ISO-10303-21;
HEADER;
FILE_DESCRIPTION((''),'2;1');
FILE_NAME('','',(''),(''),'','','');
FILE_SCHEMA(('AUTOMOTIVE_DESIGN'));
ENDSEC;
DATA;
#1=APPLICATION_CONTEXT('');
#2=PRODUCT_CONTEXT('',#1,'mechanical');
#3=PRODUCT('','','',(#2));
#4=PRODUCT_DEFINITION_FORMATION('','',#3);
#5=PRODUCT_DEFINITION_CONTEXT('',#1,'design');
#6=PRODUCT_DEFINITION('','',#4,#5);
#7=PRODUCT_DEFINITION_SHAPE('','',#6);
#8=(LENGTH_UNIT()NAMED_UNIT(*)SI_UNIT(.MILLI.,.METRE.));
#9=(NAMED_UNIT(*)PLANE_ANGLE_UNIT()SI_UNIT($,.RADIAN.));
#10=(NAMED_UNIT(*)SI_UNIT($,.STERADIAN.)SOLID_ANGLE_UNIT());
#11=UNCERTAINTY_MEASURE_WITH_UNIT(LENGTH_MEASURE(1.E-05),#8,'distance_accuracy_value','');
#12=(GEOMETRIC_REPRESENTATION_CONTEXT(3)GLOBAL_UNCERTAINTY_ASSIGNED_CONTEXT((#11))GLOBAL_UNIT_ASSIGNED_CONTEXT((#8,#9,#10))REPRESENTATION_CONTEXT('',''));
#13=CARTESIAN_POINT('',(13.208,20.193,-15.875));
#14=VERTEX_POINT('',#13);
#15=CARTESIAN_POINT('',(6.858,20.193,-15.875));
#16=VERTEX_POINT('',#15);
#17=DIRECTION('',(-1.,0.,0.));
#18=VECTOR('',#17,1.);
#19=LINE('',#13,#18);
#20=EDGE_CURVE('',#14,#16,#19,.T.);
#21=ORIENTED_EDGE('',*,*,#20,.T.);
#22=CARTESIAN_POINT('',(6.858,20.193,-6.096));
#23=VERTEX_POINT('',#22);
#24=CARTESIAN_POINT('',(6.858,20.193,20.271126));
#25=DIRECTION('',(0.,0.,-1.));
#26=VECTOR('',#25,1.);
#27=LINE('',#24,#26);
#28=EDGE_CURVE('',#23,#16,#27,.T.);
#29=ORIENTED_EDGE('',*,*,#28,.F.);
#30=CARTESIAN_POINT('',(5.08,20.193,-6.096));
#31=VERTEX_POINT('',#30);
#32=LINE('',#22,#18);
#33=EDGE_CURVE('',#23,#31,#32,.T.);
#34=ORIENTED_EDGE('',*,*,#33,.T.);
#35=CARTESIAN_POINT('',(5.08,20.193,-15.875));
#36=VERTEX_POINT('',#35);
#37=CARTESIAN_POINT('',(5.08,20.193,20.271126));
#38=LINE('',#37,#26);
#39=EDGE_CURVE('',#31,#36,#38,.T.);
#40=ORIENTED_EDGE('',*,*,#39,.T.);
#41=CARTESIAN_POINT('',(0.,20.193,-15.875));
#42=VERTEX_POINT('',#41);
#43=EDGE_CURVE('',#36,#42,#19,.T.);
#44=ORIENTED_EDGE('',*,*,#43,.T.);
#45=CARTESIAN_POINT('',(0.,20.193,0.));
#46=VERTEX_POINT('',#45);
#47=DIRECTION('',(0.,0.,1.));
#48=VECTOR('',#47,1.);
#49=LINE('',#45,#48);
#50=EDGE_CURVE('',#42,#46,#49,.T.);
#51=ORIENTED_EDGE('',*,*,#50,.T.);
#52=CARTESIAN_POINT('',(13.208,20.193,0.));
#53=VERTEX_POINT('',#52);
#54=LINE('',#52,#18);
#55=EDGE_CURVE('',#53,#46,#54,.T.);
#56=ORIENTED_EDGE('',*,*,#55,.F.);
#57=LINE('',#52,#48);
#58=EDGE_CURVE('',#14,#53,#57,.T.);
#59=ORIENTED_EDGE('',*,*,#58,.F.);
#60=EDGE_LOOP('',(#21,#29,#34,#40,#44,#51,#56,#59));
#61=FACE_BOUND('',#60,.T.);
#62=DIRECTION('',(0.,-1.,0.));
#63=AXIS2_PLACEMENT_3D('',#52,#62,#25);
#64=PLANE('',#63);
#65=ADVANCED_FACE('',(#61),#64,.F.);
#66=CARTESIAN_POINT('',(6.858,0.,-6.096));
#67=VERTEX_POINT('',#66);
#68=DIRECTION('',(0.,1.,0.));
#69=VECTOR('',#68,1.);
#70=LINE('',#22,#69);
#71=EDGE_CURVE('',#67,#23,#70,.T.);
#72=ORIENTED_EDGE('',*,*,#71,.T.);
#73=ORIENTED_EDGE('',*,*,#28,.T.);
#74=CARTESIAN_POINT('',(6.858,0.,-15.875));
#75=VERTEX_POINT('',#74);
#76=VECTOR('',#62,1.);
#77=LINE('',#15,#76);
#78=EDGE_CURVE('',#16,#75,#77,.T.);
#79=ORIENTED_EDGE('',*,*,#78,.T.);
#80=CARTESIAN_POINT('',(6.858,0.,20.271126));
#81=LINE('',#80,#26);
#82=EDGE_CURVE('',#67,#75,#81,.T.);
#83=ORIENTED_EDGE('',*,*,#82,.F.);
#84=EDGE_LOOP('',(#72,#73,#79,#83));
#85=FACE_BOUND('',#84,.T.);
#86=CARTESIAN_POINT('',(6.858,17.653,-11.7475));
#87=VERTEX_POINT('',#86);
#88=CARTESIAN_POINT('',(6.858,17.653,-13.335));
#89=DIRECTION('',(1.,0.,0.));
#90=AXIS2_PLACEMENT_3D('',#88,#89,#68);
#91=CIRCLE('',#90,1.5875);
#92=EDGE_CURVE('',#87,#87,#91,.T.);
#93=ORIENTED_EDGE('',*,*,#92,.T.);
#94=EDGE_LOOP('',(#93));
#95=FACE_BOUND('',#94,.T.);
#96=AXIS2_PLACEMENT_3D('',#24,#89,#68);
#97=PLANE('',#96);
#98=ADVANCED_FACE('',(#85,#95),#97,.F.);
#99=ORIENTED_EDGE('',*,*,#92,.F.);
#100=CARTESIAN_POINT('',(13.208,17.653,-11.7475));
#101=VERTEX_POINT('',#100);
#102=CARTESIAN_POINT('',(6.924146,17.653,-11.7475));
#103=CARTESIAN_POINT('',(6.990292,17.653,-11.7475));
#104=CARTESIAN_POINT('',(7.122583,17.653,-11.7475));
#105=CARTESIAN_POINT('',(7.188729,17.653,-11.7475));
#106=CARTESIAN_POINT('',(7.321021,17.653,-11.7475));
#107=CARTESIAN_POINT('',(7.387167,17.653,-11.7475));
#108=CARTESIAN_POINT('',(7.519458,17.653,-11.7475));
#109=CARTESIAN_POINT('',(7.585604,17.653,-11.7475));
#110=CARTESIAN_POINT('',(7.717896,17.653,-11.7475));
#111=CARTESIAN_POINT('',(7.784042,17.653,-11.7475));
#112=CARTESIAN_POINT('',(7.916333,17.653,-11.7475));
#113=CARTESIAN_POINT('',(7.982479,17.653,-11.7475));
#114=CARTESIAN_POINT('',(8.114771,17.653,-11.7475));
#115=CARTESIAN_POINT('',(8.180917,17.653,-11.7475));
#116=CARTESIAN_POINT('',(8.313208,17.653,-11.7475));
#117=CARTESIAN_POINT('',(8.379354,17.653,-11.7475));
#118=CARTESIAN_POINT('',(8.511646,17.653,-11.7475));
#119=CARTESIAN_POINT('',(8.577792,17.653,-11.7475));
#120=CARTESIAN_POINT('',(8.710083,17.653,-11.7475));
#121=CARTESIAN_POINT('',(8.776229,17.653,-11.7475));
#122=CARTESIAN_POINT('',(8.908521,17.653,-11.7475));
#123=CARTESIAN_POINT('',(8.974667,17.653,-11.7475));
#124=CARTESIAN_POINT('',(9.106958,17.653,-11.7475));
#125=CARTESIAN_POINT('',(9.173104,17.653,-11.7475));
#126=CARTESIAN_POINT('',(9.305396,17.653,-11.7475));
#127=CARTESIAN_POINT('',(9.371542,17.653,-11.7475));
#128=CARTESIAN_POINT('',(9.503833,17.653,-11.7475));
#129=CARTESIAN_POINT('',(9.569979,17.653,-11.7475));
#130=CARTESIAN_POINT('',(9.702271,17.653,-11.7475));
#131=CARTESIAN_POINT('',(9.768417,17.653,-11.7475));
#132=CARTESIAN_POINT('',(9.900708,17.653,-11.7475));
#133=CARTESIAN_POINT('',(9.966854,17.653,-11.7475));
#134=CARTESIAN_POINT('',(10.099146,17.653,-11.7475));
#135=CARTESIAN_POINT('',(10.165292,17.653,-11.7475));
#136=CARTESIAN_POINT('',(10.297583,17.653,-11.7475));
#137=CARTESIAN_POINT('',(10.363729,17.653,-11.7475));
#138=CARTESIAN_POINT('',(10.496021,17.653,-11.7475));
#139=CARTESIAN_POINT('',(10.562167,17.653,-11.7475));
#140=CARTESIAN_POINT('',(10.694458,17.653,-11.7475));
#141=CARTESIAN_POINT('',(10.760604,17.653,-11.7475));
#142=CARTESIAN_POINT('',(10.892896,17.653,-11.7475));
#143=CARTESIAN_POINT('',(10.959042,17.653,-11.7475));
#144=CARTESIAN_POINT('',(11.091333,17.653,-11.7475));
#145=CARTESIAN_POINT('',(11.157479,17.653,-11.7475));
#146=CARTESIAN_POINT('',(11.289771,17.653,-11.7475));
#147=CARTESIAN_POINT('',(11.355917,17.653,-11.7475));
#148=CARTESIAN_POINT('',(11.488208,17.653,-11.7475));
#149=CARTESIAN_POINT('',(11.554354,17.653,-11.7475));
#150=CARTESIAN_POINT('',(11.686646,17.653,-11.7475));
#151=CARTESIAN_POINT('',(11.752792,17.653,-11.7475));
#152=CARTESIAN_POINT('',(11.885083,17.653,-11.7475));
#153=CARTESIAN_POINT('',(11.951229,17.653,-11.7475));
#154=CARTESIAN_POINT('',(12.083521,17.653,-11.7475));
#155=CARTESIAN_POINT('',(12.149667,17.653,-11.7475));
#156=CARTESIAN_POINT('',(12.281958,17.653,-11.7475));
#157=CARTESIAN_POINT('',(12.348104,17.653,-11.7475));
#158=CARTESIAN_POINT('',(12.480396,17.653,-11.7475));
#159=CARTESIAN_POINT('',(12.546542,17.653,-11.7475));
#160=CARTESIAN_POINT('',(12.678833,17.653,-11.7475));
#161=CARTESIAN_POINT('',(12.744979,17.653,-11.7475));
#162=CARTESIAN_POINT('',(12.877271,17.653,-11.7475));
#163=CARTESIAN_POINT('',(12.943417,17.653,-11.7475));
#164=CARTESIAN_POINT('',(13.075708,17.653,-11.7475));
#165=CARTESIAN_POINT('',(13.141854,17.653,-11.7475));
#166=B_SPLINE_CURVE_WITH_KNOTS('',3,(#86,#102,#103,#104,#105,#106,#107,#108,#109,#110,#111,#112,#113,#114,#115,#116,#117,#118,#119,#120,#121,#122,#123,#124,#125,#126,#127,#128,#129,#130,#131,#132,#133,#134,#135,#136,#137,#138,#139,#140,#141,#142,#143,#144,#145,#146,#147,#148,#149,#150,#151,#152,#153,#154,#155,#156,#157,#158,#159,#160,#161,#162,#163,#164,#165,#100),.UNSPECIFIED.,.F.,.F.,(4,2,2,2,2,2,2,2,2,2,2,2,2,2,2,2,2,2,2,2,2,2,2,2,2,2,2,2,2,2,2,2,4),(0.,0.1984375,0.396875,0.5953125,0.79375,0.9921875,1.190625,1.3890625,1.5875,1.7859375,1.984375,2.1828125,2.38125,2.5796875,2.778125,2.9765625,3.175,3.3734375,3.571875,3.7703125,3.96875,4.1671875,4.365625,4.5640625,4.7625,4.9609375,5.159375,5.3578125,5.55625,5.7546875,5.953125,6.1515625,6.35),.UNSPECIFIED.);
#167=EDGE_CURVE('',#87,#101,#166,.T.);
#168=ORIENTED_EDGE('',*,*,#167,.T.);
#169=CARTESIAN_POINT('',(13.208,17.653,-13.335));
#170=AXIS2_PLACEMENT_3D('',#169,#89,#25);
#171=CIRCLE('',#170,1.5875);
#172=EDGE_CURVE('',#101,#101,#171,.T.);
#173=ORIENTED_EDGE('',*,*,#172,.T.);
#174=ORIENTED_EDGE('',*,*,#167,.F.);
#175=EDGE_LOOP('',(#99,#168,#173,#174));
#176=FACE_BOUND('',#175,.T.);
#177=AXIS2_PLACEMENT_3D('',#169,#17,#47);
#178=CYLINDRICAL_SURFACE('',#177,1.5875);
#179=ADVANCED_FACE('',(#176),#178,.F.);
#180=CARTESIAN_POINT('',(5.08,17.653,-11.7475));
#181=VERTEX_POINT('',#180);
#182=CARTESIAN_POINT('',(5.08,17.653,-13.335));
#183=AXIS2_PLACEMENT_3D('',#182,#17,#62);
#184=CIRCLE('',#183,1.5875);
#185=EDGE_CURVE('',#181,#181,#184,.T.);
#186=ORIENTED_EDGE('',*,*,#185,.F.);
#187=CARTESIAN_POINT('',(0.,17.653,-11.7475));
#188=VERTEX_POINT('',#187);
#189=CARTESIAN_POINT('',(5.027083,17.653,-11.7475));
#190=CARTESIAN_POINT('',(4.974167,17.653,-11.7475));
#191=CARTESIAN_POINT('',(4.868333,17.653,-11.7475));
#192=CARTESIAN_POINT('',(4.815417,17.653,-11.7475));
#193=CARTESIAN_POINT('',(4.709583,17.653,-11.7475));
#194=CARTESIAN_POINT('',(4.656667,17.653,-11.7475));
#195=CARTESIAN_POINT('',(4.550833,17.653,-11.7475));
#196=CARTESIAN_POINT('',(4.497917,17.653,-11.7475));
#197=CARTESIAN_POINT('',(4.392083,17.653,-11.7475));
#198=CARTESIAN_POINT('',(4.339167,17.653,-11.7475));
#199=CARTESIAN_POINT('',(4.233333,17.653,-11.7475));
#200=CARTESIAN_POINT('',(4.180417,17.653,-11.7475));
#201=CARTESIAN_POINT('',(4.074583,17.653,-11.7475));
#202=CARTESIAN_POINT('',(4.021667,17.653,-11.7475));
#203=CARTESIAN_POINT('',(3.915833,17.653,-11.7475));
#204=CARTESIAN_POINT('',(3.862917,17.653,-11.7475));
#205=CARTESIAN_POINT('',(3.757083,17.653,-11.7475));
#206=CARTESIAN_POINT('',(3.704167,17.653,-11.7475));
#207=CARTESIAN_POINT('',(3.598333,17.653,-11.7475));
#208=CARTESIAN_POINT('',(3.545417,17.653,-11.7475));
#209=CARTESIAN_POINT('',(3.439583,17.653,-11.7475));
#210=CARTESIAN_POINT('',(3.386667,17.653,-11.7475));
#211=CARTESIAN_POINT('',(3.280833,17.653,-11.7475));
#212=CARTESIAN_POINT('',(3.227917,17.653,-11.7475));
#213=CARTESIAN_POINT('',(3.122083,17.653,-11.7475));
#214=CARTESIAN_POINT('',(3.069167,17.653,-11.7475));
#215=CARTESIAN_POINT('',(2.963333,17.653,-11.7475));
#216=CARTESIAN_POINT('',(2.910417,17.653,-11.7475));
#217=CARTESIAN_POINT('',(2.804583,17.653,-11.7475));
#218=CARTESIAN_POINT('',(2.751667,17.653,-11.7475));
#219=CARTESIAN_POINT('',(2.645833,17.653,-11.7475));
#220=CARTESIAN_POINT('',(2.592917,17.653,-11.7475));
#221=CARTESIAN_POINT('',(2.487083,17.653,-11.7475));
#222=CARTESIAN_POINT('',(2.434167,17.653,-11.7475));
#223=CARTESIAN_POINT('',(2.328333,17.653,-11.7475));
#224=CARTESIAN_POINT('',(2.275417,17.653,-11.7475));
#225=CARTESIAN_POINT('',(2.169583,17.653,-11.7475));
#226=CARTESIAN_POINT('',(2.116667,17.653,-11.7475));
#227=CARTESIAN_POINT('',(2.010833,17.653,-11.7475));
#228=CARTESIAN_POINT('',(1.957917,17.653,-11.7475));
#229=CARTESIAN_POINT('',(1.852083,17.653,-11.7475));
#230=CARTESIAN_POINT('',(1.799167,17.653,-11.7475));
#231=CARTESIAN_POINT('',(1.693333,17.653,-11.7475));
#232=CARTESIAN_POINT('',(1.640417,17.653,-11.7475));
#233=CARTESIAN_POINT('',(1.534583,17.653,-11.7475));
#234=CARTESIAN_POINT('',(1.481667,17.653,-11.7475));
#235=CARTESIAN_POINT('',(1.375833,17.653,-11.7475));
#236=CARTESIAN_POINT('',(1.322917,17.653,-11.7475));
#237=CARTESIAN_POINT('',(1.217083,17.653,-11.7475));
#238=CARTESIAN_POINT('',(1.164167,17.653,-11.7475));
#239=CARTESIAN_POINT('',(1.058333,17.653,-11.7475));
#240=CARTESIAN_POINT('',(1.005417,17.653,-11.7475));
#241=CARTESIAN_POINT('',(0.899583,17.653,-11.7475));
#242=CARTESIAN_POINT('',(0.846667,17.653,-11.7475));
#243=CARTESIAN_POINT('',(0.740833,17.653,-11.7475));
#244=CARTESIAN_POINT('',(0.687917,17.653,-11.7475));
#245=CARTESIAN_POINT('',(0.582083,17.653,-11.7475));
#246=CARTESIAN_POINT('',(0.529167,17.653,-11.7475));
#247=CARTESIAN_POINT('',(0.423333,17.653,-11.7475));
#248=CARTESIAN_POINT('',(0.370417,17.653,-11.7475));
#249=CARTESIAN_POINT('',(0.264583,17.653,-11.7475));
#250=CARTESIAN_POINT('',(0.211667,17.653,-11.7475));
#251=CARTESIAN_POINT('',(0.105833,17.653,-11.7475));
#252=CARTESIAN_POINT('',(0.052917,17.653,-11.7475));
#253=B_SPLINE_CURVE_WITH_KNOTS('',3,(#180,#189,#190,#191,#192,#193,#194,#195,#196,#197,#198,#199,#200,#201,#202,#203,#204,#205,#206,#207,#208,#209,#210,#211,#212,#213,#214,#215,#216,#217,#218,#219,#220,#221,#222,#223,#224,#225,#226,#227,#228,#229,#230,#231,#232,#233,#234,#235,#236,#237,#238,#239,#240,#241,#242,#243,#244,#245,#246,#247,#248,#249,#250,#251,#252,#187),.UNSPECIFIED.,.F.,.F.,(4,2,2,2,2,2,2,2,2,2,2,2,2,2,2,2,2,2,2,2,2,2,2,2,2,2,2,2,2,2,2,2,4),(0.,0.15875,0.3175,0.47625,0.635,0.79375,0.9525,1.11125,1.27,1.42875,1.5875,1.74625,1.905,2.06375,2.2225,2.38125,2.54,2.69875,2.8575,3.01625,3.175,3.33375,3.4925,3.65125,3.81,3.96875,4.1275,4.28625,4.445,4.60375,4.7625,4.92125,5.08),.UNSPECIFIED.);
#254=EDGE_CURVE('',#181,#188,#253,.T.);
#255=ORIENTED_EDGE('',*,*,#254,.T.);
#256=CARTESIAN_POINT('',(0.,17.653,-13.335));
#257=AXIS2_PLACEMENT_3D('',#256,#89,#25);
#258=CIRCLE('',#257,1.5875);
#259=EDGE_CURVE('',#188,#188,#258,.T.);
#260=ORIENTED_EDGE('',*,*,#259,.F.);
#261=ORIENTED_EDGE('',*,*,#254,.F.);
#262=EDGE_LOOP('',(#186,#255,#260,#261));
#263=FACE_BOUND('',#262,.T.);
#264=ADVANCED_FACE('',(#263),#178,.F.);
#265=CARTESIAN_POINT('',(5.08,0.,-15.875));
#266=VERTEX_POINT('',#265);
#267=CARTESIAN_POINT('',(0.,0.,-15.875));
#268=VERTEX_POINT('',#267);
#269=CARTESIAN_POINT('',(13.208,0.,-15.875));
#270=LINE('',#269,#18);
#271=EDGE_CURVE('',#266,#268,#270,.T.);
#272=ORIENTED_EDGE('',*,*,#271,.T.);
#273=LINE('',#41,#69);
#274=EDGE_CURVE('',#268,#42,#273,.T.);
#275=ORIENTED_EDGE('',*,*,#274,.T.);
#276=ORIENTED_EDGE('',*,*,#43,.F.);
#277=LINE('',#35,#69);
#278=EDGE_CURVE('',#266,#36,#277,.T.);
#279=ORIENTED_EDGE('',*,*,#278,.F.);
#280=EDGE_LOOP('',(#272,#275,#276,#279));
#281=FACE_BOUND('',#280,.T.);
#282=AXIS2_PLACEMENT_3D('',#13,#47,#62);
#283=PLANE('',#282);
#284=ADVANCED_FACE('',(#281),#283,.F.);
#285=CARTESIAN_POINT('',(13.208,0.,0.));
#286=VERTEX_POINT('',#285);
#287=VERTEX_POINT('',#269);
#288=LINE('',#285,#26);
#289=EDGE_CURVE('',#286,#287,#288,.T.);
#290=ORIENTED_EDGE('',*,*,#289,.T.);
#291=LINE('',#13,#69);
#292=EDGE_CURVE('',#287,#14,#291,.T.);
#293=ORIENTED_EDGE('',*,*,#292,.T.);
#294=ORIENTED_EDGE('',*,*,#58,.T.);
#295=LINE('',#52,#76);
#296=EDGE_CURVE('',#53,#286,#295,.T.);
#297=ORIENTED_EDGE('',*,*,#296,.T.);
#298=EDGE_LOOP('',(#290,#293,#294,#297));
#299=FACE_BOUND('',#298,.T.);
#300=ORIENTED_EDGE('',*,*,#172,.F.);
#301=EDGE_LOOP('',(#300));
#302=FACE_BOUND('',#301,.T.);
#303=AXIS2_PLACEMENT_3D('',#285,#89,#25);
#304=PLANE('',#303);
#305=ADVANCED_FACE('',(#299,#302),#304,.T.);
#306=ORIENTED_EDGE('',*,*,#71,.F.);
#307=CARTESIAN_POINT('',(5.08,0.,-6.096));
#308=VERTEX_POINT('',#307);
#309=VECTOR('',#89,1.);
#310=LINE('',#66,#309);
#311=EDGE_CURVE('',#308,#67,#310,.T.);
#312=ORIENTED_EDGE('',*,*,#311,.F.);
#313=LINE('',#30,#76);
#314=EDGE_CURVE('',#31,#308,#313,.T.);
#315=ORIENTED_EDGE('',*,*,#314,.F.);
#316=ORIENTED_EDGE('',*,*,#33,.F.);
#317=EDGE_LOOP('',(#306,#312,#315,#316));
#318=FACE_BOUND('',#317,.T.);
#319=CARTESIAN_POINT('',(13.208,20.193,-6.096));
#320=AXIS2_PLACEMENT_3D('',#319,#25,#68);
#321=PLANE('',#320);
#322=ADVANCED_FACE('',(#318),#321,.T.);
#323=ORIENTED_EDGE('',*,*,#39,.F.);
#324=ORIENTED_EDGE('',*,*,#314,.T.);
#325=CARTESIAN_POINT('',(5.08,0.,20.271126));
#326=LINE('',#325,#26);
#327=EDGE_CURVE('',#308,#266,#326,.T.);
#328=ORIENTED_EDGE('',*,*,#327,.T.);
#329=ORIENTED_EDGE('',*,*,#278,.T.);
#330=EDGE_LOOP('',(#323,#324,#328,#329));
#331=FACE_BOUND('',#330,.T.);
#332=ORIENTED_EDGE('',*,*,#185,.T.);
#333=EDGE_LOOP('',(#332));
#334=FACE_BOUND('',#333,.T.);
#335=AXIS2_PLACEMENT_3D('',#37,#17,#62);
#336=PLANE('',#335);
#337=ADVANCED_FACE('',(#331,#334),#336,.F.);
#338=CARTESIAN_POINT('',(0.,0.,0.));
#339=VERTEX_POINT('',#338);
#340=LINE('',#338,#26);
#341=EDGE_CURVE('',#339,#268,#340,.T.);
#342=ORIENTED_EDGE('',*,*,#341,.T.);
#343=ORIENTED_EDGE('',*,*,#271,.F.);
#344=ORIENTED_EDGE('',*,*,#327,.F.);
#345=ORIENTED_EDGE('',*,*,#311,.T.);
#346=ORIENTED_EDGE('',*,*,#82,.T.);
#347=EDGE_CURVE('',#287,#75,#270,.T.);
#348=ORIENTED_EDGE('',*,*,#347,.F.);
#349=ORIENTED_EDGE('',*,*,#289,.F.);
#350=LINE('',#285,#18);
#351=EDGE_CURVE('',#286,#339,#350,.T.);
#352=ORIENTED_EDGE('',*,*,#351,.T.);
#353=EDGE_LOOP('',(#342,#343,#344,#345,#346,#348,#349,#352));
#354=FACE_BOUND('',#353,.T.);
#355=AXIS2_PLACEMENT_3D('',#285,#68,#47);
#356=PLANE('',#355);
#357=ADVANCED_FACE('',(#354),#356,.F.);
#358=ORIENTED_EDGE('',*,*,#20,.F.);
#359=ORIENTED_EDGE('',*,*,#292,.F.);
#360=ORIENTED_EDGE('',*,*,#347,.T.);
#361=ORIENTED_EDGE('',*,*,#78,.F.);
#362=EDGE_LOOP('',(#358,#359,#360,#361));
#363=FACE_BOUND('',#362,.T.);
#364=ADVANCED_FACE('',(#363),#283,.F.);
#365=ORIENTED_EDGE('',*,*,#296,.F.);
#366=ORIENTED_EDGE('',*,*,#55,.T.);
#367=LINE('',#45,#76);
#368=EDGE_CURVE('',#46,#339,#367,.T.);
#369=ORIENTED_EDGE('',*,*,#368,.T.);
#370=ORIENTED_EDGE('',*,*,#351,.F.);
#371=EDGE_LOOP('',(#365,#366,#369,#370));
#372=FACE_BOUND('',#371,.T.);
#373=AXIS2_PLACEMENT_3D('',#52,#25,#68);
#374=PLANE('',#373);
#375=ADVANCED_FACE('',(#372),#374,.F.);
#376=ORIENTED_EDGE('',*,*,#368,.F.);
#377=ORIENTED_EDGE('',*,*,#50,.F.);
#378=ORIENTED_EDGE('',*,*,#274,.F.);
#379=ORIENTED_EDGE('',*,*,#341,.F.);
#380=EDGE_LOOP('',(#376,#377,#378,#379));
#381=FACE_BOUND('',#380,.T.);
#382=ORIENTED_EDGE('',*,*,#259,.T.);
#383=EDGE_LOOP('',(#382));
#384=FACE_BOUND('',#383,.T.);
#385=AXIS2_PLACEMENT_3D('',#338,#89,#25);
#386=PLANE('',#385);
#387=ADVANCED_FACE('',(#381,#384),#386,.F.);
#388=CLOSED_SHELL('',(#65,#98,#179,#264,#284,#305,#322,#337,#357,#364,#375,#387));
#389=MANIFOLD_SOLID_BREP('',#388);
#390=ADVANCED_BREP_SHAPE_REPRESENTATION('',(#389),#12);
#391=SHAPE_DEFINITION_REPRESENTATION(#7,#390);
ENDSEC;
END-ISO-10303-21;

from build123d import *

# Parameters (mm, degrees)
SKETCH1_W           = 15.875
SKETCH1_H           = 20.193
SKETCH1_R           = 1.5875
BOSS_EXTRUDE1_DEPTH = 13.208
SKETCH4_W           = 1.778
SKETCH4_H           = 20.193
CUT_EXTRUDE1_DEPTH  = 9.779


with BuildPart() as part:
    # Sketch1 → Boss-Extrude1 (new body)
    with BuildSketch(Plane(origin=(0, 0, 0), x_dir=(0, 0, -1), z_dir=(1, 0, 0))):
        with Locations((7.9375, 10.0965)):
            Rectangle(SKETCH1_W, SKETCH1_H)
        with Locations(Location((13.335, 17.653, 0), (0, 0, 180))):
            Circle(SKETCH1_R, mode=Mode.SUBTRACT)
    extrude(amount=BOSS_EXTRUDE1_DEPTH)

    # Sketch4 → Cut-Extrude1 (cut)
    with BuildSketch(Plane(origin=(0, 0, -15.875), x_dir=(-1, 0, 0), z_dir=(0, 0, -1))):
        with Locations((-5.969, 10.0965)):
            Rectangle(SKETCH4_W, SKETCH4_H)
    extrude(amount=-CUT_EXTRUDE1_DEPTH, mode=Mode.SUBTRACT)


solid = part.part
